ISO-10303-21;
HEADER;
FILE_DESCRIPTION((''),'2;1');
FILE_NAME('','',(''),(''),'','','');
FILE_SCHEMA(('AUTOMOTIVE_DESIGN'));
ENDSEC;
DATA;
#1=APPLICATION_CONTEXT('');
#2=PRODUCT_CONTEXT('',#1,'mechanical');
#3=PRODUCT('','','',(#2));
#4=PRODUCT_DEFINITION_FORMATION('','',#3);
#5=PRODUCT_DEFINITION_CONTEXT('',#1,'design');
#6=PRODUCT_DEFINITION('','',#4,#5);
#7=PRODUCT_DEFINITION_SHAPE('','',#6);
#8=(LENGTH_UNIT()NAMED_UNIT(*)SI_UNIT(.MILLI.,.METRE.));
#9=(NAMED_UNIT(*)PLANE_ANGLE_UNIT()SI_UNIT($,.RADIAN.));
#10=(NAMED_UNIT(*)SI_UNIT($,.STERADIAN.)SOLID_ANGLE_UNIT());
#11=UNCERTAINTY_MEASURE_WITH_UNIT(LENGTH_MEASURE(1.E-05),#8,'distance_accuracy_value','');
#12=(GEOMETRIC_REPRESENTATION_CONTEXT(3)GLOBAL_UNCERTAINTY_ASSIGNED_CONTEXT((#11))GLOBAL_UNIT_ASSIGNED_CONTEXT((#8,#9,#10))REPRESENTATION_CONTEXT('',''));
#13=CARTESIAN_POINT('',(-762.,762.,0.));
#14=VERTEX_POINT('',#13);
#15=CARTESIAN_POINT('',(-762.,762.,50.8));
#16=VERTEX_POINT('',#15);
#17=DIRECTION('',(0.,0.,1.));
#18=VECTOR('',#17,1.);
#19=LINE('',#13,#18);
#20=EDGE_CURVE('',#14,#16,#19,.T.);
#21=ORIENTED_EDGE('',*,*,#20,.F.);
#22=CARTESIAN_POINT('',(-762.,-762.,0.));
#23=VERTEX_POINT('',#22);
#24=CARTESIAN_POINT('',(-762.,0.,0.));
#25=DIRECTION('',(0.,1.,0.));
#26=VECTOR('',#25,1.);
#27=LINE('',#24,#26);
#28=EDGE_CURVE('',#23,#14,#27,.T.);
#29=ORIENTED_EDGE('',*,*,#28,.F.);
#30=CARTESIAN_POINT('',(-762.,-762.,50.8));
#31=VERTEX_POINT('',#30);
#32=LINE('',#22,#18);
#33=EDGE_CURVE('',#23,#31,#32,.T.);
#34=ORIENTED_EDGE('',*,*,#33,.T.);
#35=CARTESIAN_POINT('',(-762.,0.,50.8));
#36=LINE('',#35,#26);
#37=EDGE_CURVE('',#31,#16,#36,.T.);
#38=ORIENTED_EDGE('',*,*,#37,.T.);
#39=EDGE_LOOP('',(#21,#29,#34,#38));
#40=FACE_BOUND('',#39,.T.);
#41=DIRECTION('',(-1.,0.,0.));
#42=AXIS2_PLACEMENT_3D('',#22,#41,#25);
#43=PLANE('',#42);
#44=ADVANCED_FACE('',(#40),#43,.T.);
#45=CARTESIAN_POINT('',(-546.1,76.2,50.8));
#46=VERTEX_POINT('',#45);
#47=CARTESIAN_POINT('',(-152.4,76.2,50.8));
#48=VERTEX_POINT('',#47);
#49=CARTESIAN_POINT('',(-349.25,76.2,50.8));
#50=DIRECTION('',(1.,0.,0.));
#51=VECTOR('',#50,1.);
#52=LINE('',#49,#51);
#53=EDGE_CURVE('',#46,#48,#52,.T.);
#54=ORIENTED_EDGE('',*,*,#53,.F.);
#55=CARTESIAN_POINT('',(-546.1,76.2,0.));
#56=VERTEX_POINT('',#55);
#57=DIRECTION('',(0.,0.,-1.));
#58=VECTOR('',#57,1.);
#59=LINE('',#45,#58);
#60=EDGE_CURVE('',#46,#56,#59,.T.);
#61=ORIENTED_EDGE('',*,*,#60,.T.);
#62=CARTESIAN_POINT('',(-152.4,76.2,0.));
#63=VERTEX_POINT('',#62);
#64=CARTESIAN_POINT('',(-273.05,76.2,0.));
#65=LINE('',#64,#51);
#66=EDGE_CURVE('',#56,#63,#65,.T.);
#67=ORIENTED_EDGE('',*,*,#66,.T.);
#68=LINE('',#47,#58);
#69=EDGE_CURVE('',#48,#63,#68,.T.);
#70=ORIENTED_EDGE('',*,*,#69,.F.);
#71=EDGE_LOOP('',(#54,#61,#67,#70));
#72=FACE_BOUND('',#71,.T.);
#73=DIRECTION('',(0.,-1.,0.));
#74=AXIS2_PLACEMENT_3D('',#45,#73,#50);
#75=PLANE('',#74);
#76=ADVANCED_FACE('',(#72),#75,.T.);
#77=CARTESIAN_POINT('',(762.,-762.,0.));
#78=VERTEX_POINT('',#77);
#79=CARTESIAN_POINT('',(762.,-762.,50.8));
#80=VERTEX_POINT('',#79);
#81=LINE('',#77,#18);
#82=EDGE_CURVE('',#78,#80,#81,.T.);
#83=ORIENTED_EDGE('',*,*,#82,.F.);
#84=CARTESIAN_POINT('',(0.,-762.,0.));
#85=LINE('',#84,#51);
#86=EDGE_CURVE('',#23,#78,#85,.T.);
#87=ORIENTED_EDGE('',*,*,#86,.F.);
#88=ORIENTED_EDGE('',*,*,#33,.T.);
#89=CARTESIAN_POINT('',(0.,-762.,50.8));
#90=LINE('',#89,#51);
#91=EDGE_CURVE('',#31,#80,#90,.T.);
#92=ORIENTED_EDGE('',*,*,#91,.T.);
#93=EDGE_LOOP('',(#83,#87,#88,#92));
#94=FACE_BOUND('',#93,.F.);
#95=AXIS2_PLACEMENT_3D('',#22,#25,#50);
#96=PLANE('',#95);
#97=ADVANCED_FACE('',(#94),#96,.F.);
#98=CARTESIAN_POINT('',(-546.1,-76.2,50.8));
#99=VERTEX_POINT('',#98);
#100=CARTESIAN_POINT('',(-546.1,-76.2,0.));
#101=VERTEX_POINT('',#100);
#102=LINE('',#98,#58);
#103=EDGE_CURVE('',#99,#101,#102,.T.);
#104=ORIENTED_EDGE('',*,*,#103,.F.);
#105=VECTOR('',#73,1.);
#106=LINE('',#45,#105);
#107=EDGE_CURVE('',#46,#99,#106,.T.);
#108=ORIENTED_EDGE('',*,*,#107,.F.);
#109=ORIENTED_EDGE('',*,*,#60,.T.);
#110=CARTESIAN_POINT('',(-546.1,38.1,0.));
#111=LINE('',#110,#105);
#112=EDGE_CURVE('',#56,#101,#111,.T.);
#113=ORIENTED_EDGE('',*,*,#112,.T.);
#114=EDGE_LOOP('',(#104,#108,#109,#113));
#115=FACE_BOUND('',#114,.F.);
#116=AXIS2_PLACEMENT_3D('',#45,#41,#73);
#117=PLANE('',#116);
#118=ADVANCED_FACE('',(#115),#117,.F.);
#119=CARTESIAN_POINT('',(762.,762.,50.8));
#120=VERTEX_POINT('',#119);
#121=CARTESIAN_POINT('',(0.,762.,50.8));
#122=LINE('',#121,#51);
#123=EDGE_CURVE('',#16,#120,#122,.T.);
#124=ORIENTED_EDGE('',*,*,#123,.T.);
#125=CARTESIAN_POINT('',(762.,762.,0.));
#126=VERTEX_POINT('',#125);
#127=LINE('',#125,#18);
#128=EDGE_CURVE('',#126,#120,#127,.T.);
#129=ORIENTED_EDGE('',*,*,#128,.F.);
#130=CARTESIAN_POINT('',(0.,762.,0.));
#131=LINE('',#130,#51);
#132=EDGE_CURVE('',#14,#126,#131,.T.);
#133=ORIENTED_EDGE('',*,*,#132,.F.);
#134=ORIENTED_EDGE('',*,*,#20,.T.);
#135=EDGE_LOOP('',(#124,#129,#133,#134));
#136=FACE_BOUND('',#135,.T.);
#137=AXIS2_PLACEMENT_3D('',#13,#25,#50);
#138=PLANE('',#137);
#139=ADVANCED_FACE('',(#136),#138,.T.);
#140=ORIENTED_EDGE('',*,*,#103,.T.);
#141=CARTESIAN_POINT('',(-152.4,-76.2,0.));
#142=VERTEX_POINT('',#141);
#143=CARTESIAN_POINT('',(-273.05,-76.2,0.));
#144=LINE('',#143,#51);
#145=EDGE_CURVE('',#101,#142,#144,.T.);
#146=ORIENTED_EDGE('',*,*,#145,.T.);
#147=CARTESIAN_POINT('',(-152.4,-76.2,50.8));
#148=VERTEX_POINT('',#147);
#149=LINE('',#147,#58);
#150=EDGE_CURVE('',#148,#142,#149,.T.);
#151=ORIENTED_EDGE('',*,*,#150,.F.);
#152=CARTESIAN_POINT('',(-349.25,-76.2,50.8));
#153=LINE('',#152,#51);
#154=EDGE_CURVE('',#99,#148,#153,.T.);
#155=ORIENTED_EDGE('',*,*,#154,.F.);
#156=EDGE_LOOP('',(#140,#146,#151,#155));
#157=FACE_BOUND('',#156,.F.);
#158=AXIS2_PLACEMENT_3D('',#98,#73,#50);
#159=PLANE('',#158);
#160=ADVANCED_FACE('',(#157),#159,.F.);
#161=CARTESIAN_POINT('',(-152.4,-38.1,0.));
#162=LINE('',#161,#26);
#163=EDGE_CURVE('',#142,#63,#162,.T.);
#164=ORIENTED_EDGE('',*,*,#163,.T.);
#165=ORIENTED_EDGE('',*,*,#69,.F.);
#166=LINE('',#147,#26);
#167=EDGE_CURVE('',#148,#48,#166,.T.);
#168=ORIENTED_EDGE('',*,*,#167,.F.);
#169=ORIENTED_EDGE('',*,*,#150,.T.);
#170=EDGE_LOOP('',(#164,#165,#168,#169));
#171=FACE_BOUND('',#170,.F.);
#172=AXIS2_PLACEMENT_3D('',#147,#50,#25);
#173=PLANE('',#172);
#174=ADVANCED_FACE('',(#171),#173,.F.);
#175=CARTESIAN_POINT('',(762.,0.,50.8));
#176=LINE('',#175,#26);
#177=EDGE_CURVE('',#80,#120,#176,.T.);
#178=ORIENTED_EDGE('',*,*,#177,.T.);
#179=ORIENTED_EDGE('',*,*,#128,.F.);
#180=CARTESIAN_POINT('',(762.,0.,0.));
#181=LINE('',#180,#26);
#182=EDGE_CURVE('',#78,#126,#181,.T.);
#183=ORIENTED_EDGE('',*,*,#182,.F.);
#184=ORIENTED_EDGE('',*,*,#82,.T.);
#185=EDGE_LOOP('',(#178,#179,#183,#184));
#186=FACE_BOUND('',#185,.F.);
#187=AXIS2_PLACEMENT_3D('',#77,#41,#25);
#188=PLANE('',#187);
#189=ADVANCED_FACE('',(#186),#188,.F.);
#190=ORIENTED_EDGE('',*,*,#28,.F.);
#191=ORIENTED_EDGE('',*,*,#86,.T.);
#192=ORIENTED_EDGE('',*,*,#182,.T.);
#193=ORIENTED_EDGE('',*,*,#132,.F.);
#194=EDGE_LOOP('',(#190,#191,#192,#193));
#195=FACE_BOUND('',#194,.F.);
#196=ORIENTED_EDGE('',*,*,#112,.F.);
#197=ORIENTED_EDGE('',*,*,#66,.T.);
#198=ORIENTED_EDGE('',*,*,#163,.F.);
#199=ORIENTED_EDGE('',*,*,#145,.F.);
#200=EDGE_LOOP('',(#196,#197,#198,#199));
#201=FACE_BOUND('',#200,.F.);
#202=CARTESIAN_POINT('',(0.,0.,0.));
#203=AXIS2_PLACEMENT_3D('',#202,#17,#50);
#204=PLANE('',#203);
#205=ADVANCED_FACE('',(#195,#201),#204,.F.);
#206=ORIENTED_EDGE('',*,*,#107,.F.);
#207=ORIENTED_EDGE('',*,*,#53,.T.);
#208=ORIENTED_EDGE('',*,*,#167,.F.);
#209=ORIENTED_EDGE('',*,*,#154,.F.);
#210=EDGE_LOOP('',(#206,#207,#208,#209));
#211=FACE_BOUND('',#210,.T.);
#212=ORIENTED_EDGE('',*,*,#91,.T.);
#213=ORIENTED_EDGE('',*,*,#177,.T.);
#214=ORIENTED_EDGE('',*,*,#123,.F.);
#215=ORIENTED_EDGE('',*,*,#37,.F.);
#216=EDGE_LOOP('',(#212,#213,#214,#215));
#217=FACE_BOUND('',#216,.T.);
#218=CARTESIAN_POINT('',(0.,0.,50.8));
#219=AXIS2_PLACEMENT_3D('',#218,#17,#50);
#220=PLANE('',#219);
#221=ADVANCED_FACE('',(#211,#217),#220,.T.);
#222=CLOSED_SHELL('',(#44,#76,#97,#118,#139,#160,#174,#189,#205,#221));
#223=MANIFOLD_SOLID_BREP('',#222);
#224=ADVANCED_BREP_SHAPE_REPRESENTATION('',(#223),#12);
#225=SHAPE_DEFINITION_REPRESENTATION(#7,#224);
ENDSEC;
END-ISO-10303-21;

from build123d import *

# Parameters (mm, degrees)
F0_W     = 1524
F0_H     = 1524
F1_DEPTH = 50.8
F2_W     = 393.7
F2_H     = 76.2
F3_DEPTH = 314.96


with BuildPart() as f1:
    # F0 (on Top) → F1 (new body)
    with BuildSketch(Plane.XY):
        Rectangle(F0_W, F0_H)
    extrude(amount=F1_DEPTH)

    # F2 (on face) → F3 (cut)
    with BuildSketch(Plane.XY.offset(50.8)):
        with Locations((-349.25, -38.1)):
            Rectangle(F2_W, F2_H)
        with Locations((-349.25, 38.1)):
            Rectangle(F2_W, F2_H)
    extrude(amount=-F3_DEPTH, mode=Mode.SUBTRACT)


solid = f1.part
